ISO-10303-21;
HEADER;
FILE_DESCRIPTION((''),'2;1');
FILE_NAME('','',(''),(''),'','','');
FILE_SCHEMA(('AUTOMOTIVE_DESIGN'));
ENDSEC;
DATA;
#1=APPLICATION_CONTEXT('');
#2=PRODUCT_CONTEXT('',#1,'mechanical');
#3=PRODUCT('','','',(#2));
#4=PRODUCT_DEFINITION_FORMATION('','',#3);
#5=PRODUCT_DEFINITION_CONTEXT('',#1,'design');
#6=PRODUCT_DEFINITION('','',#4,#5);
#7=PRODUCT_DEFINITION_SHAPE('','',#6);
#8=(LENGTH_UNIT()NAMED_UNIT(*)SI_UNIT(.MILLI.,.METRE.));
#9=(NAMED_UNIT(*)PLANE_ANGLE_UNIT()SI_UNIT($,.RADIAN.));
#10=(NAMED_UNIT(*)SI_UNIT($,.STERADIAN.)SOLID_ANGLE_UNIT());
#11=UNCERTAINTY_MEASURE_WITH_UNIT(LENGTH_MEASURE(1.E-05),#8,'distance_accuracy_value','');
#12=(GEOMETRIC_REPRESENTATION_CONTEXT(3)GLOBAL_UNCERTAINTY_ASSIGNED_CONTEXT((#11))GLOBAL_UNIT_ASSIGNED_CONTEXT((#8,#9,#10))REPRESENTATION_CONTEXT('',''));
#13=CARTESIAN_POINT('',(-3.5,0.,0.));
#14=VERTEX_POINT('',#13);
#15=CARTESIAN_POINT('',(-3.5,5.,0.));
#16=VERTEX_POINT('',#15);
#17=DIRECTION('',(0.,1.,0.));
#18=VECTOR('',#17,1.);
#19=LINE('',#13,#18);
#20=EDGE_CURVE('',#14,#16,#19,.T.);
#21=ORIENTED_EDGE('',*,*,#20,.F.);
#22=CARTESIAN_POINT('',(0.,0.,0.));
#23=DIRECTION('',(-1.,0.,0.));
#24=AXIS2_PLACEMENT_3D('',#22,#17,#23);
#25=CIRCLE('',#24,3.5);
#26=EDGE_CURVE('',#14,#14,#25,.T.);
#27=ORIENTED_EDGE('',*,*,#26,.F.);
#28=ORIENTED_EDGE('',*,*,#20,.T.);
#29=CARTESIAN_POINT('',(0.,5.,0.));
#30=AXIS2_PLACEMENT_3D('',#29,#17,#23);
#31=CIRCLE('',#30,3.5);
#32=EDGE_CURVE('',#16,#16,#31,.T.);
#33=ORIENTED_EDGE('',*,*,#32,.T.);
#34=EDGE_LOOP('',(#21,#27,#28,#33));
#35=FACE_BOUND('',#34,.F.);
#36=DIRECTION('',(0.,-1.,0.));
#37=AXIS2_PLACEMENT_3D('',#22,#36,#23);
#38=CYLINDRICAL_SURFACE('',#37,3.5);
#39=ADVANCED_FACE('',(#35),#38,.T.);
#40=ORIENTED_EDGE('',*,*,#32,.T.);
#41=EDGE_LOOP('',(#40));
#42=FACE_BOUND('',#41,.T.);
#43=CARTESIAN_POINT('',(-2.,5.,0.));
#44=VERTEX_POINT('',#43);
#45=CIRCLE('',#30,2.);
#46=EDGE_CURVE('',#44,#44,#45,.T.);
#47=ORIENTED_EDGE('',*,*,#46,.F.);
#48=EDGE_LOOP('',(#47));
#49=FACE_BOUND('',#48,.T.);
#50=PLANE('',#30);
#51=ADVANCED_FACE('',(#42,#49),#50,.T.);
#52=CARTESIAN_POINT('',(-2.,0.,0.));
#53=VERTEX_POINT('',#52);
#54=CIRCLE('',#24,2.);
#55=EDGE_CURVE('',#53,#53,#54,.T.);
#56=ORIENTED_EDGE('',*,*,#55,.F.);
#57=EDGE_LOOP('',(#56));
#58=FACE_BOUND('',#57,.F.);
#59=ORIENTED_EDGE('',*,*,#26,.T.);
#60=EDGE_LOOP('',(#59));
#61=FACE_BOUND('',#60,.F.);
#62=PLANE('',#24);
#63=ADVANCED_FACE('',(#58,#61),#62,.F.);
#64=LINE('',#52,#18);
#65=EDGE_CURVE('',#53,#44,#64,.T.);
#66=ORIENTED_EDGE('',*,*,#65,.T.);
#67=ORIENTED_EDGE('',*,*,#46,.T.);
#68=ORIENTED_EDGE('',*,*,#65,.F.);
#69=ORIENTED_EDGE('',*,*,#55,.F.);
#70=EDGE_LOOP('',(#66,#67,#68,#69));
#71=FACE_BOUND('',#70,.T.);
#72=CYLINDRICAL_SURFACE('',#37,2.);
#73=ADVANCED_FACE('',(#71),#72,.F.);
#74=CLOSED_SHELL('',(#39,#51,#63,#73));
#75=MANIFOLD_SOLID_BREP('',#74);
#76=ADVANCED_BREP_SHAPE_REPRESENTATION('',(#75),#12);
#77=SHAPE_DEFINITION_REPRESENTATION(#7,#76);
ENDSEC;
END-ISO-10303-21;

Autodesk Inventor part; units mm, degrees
ref_plane "YZ Plane" through (0, 0, 0) normal (1, 0, 0) x (0, 1, 0)
ref_plane "XZ Plane" through (0, 0, 0) normal (0, 1, 0) x (-1, 0, 0)
ref_plane "XY Plane" through (0, 0, 0) normal (0, 0, 1) x (1, 0, 0)
sketch "Sketch1" plane through (0, 0, 0) normal (0, 1, 0) x (-1, 0, 0)
  circle A0 centre (0, 0) radius 2
  circle A1 centre (0, 0) radius 3.5
  dimension "d0" = 4
  dimension "d4" = 1.5
extrude "Extrusion1" add sketch "Sketch1" along normal blind 5
properties part number "Spacer" material "PC/ABS Plastic"
